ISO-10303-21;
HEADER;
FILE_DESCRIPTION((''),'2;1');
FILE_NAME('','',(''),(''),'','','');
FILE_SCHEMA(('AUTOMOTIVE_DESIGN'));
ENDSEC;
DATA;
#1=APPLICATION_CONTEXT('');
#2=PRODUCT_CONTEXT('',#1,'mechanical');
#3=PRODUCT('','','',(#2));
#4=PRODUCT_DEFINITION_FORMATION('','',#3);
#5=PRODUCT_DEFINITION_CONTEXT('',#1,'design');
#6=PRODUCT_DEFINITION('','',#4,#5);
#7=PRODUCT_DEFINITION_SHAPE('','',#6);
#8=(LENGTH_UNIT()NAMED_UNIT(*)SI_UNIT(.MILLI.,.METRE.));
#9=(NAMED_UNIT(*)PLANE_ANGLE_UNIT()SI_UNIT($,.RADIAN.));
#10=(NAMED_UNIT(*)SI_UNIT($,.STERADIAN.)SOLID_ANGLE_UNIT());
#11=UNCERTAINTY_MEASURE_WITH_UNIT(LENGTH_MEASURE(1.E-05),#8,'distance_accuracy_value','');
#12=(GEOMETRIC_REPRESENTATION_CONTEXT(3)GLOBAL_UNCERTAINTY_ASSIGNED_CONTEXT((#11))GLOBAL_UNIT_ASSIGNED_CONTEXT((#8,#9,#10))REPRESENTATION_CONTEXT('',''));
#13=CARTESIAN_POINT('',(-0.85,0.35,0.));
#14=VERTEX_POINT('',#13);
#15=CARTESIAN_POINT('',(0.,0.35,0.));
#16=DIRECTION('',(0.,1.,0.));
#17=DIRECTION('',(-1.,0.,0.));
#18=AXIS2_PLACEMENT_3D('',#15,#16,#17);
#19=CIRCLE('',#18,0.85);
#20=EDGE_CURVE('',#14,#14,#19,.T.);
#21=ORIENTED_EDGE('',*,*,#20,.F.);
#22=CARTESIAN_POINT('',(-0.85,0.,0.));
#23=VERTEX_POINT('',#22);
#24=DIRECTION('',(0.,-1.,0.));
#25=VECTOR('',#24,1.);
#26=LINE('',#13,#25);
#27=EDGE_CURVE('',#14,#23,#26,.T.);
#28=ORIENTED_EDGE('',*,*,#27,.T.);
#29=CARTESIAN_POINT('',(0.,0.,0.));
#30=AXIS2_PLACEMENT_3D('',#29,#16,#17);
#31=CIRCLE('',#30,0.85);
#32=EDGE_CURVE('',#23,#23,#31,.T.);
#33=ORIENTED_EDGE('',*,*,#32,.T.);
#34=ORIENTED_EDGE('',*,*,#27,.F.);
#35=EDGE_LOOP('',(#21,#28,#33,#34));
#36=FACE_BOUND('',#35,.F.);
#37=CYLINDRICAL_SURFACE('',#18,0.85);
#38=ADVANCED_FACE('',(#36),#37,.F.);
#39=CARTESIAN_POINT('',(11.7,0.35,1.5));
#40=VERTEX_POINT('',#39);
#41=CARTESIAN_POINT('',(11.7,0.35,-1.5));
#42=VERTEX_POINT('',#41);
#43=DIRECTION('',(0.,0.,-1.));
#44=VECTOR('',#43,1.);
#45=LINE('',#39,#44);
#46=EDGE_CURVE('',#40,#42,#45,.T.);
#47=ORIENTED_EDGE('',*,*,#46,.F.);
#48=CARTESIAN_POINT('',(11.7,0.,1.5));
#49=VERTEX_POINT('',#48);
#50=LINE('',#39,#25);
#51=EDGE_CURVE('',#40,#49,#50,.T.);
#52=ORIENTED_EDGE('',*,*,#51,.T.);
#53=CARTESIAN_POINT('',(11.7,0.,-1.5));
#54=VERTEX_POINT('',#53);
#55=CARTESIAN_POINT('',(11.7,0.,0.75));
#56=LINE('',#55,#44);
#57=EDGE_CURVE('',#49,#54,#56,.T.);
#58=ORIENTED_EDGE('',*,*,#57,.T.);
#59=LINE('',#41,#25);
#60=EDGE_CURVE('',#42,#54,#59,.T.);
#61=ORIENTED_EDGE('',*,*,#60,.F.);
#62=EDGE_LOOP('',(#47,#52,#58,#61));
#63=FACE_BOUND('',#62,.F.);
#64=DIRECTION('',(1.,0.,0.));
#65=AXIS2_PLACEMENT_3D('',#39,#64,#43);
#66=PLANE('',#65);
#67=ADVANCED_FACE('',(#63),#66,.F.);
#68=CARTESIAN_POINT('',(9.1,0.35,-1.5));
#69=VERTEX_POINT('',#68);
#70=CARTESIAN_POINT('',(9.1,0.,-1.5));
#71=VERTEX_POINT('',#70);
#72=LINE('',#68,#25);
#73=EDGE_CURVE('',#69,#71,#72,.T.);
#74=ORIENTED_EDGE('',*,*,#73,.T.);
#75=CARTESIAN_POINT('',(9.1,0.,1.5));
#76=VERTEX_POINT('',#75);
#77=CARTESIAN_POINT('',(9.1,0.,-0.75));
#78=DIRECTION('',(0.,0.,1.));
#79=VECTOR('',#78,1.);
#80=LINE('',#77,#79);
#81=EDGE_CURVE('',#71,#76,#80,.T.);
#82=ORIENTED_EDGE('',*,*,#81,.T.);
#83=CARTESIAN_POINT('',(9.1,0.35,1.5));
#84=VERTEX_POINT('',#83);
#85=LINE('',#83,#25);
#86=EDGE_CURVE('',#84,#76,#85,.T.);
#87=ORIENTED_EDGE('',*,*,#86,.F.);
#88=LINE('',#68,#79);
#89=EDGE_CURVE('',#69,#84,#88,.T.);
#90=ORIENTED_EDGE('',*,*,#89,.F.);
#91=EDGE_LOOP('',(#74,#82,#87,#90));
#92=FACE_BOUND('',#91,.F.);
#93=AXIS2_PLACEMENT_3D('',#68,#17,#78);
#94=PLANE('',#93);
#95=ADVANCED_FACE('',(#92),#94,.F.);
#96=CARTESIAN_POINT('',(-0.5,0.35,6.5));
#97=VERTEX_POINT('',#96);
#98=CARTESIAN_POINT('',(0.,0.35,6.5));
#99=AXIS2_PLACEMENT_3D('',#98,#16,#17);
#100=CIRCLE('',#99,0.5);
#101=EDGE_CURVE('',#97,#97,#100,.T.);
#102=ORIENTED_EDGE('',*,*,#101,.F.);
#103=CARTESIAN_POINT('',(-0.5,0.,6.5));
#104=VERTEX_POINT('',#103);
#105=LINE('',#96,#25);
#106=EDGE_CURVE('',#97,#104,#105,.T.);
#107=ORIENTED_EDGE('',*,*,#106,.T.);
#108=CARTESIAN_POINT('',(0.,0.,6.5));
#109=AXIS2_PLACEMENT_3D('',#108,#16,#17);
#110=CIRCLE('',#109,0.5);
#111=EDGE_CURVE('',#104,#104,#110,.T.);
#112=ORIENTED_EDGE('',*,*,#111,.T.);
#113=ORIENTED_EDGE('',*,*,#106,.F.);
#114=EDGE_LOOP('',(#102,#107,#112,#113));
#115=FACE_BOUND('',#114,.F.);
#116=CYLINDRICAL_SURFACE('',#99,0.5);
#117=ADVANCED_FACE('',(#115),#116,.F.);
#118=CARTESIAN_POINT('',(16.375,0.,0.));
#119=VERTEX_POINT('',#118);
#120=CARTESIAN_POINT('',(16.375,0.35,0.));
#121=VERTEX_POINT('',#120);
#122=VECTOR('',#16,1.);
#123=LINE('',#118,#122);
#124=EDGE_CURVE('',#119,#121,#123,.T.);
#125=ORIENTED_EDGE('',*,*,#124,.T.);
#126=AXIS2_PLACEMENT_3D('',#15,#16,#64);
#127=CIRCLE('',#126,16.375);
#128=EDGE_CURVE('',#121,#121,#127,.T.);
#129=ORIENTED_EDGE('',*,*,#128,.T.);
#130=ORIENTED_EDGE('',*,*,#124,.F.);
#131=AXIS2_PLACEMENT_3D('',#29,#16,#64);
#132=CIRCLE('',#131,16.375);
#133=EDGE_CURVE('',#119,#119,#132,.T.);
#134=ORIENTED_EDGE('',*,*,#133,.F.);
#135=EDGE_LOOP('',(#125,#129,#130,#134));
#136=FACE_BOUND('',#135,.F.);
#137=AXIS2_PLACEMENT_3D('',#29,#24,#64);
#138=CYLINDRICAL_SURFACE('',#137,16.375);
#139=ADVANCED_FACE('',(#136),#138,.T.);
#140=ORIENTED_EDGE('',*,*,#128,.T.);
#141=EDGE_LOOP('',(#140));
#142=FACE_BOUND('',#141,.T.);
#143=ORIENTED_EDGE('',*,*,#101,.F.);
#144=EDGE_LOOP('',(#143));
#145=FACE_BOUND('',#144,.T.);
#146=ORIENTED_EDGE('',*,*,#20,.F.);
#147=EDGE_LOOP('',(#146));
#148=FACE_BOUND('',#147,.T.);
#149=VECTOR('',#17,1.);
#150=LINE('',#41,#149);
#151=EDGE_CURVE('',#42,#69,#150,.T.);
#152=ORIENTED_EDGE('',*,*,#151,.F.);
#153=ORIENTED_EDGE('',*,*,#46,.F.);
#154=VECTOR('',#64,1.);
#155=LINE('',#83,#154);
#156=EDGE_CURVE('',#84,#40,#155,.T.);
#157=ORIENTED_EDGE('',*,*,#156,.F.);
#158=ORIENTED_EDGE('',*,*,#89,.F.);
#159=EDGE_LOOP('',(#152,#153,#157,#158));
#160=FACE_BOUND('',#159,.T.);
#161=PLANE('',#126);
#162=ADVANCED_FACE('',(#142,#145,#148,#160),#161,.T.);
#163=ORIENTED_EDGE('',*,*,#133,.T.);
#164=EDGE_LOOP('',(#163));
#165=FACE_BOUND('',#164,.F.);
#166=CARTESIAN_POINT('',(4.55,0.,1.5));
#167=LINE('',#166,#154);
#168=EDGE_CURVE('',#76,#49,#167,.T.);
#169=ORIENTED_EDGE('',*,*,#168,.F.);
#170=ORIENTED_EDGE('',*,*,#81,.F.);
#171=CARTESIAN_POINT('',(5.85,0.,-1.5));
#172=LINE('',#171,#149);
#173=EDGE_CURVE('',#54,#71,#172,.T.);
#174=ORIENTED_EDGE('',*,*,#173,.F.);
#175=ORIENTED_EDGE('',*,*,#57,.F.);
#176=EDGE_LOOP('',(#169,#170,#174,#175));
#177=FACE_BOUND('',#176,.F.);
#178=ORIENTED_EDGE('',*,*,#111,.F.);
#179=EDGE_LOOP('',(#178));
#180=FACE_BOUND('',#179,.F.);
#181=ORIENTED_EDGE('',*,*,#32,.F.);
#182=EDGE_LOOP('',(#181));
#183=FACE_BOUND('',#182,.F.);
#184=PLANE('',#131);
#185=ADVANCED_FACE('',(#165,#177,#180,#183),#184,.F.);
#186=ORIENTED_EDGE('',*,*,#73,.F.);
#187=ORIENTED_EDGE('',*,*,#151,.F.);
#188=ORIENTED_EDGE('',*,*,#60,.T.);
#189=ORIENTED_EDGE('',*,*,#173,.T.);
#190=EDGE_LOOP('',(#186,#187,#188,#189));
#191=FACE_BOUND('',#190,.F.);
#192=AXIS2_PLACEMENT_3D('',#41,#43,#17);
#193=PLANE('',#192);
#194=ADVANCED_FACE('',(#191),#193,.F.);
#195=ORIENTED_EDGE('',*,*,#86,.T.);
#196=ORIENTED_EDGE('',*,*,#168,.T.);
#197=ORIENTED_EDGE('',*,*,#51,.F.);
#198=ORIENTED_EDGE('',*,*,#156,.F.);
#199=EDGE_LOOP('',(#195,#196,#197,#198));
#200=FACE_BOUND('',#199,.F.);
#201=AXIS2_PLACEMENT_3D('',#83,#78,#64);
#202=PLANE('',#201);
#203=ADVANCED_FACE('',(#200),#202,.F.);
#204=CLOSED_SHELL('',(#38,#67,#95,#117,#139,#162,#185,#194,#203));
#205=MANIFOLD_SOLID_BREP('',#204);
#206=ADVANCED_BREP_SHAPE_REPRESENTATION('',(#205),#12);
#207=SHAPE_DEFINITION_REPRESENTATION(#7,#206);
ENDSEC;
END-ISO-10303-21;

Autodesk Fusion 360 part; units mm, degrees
sketch "Sketch1" plane through (0, 0, 0) normal (0, 1, 0) x (1, 0, 0)
  circle A0 centre (0, 0) radius 16.375
  dimension "d1" = 32.75
extrude "Extrude1" add sketch "Sketch1" along normal blind 0.35
sketch "Sketch3" plane through (0, 0.35, 0) normal (0, 1, 0) x (-1, 0, 0)
  circle A0 centre (0, 0) radius 16.375
  circle A1 centre (0, 0) radius 0.85
  line L0 (-9.1, 1.5) -> (-11.7, 1.5)
  line L1 (-11.7, 1.5) -> (-11.7, -1.5)
  line L2 (-11.7, -1.5) -> (-9.1, -1.5)
  line L3 (-9.1, -1.5) -> (-9.1, 1.5)
  circle A2 centre (0, 6.5) radius 0.5
  dimension "d4" = 1.7
  dimension "d5" = 2.6
  dimension "d6" = 3
  dimension "d7" = 1.5
  dimension "d8" = 9.1
  dimension "d9" = 1
  dimension "d10" = 6.5
extrude "Extrude2" cut sketch "Sketch3" against normal through all contours A1 | L0 L1 L2 L3 | A2
sketch "Sketch4" plane through (0, 0.35, 0) normal (0, 1, 0) x (-1, 0, 0)
  line L0 (-9.1, -1.5) -> (-11.7, -1.5)
  line L1 (-11.7, -1.5) -> (-11.7, 1.5)
  line L2 (-11.7, 1.5) -> (-9.1, 1.5)
  line L3 (-9.1, 1.5) -> (-9.1, -1.5)
  circle A0 centre (0, 0) radius 0.85
  circle A1 centre (0, 6.5) radius 0.5
  circle A2 centre (0, 0) radius 16.375
  line L4 (0.375, 12.5) -> (-0.375, 12.5)
  line L5 (-0.375, 12.5) -> (-0.375, 14.5)
  line L6 (-0.375, 14.5) -> (0.375, 14.5)
  line L7 (0.375, 14.5) -> (0.375, 12.5)
  line L8 (-6.5748, 10.6378) -> (-7.5748, 12.3699)
  line L9 (-6.9252, 12.7449) -> (-5.9252, 11.0128)
  line L10 (-5.9252, 11.0128) -> (-6.5748, 10.6378)
  line L11 (-7.5748, 12.3699) -> (-6.9252, 12.7449)
  line L12 (-11.0128, 5.9252) -> (-12.7449, 6.9252)
  line L13 (-12.3699, 7.5748) -> (-10.6378, 6.5748)
  line L14 (-10.6378, 6.5748) -> (-11.0128, 5.9252)
  line L15 (-12.7449, 6.9252) -> (-12.3699, 7.5748)
  line L16 (-12.5, -0.375) -> (-14.5, -0.375)
  line L17 (-14.5, 0.375) -> (-12.5, 0.375)
  line L18 (-12.5, 0.375) -> (-12.5, -0.375)
  line L19 (-14.5, -0.375) -> (-14.5, 0.375)
  line L20 (-10.6378, -6.5748) -> (-12.3699, -7.5748)
  line L21 (-12.7449, -6.9252) -> (-11.0128, -5.9252)
  line L22 (-11.0128, -5.9252) -> (-10.6378, -6.5748)
  line L23 (-12.3699, -7.5748) -> (-12.7449, -6.9252)
  line L24 (-5.9252, -11.0128) -> (-6.9252, -12.7449)
  line L25 (-7.5748, -12.3699) -> (-6.5748, -10.6378)
  line L26 (-6.5748, -10.6378) -> (-5.9252, -11.0128)
  line L27 (-6.9252, -12.7449) -> (-7.5748, -12.3699)
  line L28 (6.5748, -10.6378) -> (7.5748, -12.3699)
  line L29 (6.9252, -12.7449) -> (5.9252, -11.0128)
  line L30 (5.9252, -11.0128) -> (6.5748, -10.6378)
  line L31 (7.5748, -12.3699) -> (6.9252, -12.7449)
  line L32 (11.0128, -5.9252) -> (12.7449, -6.9252)
  line L33 (12.3699, -7.5748) -> (10.6378, -6.5748)
  line L34 (10.6378, -6.5748) -> (11.0128, -5.9252)
  line L35 (12.7449, -6.9252) -> (12.3699, -7.5748)
  line L36 (12.5, 0.375) -> (14.5, 0.375)
  line L37 (14.5, -0.375) -> (12.5, -0.375)
  line L38 (12.5, -0.375) -> (12.5, 0.375)
  line L39 (14.5, 0.375) -> (14.5, -0.375)
  line L40 (10.6378, 6.5748) -> (12.3699, 7.5748)
  line L41 (12.7449, 6.9252) -> (11.0128, 5.9252)
  line L42 (11.0128, 5.9252) -> (10.6378, 6.5748)
  line L43 (12.3699, 7.5748) -> (12.7449, 6.9252)
  line L44 (5.9252, 11.0128) -> (6.9252, 12.7449)
  line L45 (7.5748, 12.3699) -> (6.5748, 10.6378)
  line L46 (6.5748, 10.6378) -> (5.9252, 11.0128)
  line L47 (6.9252, 12.7449) -> (7.5748, 12.3699)
  line L48 (0.75, -14.5) -> (-0.75, -14.5)
  line L49 (-0.75, -14.5) -> (0, -11.75)
  line L50 (0, -11.75) -> (0.75, -14.5)
  line L51 (0, -14.5) -> (0, -11.75)
  line L52 (-5, 6.5) -> (-4, 6.5)
  line L53 (-4.3301, 4) -> (-3.4641, 4.5)
  line L54 (-2.5, 2.1699) -> (-2, 3.0359)
  line L55 (0, 1.5) -> (0, 2.5)
  line L56 (2.5, 2.1699) -> (2, 3.0359)
  line L57 (4.3301, 4) -> (3.4641, 4.5)
  line L58 (5, 6.5) -> (4, 6.5)
  line L59 (4.3301, 9) -> (3.4641, 8.5)
  line L60 (2.5, 10.8301) -> (2, 9.9641)
  line L61 (0, 11.5) -> (0, 10.5)
  line L62 (-2.5, 10.8301) -> (-2, 9.9641)
  line L63 (-4.3301, 9) -> (-3.4641, 8.5)
  dimension "d12" = 0.75
  dimension "d13" = 2
  dimension "d14" = 14.5
  dimension "d15" = 0.375
  dimension "d17" = 360
  dimension "d18" = 2.75
  dimension "d19" = 1.5
  dimension "d20" = 14.5
  dimension "d21" = 0.75
  dimension "d24" = 5
  dimension "d25" = 1
  dimension "d27" = 360
sketch "Sketch5" plane through (0, 0.35, 0) normal (0, 1, 0) x (-1, 0, 0)
  line L0 (6.985, -3.5778) -> (-7.6268, -3.5778) construction
  line L1 (-7.6268, -3.5778) -> (-7.6268, -6.5778) construction
  line L2 (-7.6268, -6.5778) -> (6.985, -6.5778) construction
  line L3 (6.985, -6.5778) -> (6.985, -3.5778) construction
  line L4 (0.4767, -9.049) -> (-0.7965, -9.049) construction
  line L5 (-0.7965, -9.049) -> (-0.7965, -11.549) construction
  line L6 (-0.7965, -11.549) -> (0.4767, -11.549) construction
  line L7 (0.4767, -11.549) -> (0.4767, -9.049) construction
  line L8 (-5.4546, -8.2) -> (-5.7, -8.2) construction
  line L9 (-5.7, -8.2) -> (-5.7, -10.7) construction
  line L10 (-5.7, -10.7) -> (-5.4546, -10.7) construction
  line L11 (-5.4546, -10.7) -> (-5.4546, -8.2) construction
  line L12 (-9.0419, -4.874) -> (-9.8, -4.874) construction
  line L13 (-9.8, -4.874) -> (-9.8, -7.374) construction
  line L14 (-9.8, -7.374) -> (-9.0419, -7.374) construction
  line L15 (-9.0419, -7.374) -> (-9.0419, -4.874) construction
  line L16 (-9.1553, 6.5) -> (-10, 6.5) construction
  line L17 (-10, 6.5) -> (-10, 4) construction
  line L18 (-10, 4) -> (-9.1553, 4) construction
  line L19 (-9.1553, 4) -> (-9.1553, 6.5) construction
  line L20 (-5.2603, 10) -> (-6, 10) construction
  line L21 (-6, 10) -> (-6, 7.5) construction
  line L22 (-6, 7.5) -> (-5.2603, 7.5) construction
  line L23 (-5.2603, 7.5) -> (-5.2603, 10) construction
  line L24 (5.6618, -8.1907) -> (4.9086, -8.1907) construction
  line L25 (4.9086, -8.1907) -> (4.9086, -10.6907) construction
  line L26 (4.9086, -10.6907) -> (5.6618, -10.6907) construction
  line L27 (5.6618, -10.6907) -> (5.6618, -8.1907) construction
  line L28 (5.7568, 10.0139) -> (5, 10.0139) construction
  line L29 (5, 10.0139) -> (5, 7.5139) construction
  line L30 (5, 7.5139) -> (5.7568, 7.5139) construction
  line L31 (5.7568, 7.5139) -> (5.7568, 10.0139) construction
  line L32 (9.7568, 6.5) -> (8.9817, 6.5) construction
  line L33 (8.9817, 6.5) -> (8.9817, 4) construction
  line L34 (8.9817, 4) -> (9.7568, 4) construction
  line L35 (9.7568, 4) -> (9.7568, 6.5) construction
  line L36 (11.2571, 0.9949) -> (10.5002, 0.9949) construction
  line L37 (10.5002, 0.9949) -> (10.5002, -1.5051) construction
  line L38 (10.5002, -1.5051) -> (11.2571, -1.5051) construction
  line L39 (11.2571, -1.5051) -> (11.2571, 0.9949) construction
  line L40 (9.7568, -4.9) -> (8.4141, -4.9) construction
  line L41 (8.4141, -4.9) -> (8.4141, -7.4) construction
  line L42 (8.4141, -7.4) -> (9.7568, -7.4) construction
  line L43 (9.7568, -7.4) -> (9.7568, -4.9) construction
